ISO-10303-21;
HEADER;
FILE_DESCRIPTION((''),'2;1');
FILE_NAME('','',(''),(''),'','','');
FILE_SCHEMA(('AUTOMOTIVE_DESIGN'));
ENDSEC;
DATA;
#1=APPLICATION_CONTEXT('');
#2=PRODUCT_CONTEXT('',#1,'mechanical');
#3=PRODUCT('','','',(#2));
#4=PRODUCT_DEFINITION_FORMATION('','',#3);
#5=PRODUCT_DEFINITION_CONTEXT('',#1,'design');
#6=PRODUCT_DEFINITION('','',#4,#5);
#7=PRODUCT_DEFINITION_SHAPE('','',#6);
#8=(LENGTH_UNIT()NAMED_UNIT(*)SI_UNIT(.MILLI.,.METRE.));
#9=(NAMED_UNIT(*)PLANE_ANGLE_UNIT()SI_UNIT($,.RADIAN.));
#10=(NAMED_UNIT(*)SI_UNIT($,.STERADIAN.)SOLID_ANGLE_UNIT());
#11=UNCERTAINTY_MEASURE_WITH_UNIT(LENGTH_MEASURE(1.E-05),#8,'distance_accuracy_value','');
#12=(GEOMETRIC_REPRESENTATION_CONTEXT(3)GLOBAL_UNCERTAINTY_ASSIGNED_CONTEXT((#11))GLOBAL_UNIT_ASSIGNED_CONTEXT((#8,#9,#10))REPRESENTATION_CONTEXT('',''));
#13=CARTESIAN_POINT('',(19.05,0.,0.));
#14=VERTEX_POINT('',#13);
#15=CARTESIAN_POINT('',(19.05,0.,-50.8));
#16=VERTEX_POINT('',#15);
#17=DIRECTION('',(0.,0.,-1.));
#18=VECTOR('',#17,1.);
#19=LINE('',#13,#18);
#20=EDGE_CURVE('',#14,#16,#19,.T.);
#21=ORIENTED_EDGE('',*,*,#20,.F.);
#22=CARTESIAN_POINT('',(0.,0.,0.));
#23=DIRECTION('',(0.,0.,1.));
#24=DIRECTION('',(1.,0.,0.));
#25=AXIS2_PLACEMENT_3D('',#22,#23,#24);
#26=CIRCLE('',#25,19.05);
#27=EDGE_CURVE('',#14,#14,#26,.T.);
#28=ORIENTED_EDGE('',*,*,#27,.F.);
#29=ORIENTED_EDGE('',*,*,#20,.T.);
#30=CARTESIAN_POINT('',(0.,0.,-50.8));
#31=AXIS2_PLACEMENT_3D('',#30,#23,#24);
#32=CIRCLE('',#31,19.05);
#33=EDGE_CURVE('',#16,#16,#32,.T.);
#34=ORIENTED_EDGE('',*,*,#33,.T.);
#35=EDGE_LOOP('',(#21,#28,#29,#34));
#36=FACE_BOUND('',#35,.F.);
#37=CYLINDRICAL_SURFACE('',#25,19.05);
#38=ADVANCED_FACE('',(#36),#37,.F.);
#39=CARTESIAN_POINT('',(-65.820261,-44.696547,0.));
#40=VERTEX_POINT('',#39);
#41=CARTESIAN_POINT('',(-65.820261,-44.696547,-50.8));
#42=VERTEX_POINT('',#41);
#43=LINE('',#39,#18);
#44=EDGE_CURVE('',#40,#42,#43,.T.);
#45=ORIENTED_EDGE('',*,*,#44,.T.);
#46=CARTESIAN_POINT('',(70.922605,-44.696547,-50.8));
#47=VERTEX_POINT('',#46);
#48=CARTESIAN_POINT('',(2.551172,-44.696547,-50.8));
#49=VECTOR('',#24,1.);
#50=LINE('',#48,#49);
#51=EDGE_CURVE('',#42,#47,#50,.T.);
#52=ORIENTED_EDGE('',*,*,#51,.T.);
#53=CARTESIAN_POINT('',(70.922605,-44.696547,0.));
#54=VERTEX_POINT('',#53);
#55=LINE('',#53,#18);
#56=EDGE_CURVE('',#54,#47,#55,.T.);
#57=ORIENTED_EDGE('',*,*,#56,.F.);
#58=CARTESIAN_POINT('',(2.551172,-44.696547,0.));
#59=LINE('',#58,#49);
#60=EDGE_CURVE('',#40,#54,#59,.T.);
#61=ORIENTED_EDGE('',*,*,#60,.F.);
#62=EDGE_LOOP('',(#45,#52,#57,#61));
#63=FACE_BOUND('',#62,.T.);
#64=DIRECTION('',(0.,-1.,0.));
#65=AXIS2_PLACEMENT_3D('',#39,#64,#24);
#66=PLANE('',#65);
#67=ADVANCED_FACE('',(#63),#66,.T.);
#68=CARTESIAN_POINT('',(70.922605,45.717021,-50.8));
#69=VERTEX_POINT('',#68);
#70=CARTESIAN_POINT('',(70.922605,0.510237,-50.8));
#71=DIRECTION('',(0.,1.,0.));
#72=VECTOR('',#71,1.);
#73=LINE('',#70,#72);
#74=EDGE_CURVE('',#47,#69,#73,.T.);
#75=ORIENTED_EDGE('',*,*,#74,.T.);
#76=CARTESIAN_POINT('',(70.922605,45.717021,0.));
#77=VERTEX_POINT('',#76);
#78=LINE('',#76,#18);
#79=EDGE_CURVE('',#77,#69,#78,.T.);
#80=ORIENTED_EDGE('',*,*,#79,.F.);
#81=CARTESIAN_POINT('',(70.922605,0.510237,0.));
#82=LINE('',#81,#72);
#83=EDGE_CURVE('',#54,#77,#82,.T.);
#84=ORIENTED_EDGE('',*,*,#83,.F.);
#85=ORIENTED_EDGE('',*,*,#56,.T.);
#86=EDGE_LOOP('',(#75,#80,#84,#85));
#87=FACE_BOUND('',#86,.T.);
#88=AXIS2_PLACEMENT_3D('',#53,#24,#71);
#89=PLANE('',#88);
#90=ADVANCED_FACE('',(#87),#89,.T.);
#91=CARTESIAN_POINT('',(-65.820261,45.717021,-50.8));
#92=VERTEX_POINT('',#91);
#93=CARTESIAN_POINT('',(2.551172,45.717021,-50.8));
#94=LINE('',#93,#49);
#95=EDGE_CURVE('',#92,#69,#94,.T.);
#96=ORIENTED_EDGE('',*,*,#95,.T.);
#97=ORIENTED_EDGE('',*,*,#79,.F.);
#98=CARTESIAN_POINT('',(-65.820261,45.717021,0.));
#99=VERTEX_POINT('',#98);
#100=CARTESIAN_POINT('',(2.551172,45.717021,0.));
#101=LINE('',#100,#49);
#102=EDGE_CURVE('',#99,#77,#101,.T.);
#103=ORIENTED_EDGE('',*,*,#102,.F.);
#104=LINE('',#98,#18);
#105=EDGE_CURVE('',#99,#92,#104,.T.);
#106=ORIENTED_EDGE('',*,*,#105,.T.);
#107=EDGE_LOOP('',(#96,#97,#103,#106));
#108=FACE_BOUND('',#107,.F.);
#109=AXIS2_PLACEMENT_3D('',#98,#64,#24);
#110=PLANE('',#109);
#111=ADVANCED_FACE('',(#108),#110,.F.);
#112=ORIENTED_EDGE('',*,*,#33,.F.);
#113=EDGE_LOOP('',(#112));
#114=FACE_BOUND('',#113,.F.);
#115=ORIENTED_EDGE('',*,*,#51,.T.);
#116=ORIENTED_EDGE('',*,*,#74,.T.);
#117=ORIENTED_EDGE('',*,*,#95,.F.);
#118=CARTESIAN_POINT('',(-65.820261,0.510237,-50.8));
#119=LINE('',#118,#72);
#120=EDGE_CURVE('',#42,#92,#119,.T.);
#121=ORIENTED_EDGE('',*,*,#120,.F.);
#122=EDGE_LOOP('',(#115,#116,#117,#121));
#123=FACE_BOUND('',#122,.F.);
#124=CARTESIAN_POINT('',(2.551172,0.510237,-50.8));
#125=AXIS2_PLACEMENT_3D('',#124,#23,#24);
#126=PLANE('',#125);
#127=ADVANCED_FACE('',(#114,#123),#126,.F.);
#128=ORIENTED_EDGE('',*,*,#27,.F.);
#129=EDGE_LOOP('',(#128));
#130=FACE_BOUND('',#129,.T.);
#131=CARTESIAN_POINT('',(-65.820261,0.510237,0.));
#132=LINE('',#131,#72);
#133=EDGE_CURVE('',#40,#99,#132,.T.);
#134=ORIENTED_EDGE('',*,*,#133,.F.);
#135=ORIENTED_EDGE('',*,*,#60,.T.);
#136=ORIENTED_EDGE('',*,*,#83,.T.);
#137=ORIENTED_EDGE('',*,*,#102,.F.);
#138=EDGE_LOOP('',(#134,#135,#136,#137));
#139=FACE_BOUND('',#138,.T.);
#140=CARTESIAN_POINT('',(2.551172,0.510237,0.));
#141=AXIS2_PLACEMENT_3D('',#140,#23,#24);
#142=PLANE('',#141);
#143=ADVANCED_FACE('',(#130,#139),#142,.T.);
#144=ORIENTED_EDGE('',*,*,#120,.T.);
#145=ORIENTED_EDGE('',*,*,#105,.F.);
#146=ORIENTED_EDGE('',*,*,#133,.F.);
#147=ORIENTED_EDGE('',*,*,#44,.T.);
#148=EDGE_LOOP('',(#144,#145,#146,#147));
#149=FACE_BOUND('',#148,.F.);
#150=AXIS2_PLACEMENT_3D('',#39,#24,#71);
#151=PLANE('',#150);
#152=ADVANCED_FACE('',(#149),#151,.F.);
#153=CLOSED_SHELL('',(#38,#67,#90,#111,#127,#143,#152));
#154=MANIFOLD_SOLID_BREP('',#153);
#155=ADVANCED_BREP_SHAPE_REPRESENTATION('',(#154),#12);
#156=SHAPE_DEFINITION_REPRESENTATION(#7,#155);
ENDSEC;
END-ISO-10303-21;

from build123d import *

# Parameters (mm, degrees)
F0_W     = 136.742865
F0_H     = 90.413568
F0_R     = 19.05
F1_DEPTH = 50.8


with BuildPart() as f1:
    # F0 (on Top) → F1 (new body)
    with BuildSketch(Plane.XY):
        with Locations((2.551172, 0.510237)):
            Rectangle(F0_W, F0_H)
        Circle(F0_R, mode=Mode.SUBTRACT)
    extrude(amount=-F1_DEPTH)


solid = f1.part
